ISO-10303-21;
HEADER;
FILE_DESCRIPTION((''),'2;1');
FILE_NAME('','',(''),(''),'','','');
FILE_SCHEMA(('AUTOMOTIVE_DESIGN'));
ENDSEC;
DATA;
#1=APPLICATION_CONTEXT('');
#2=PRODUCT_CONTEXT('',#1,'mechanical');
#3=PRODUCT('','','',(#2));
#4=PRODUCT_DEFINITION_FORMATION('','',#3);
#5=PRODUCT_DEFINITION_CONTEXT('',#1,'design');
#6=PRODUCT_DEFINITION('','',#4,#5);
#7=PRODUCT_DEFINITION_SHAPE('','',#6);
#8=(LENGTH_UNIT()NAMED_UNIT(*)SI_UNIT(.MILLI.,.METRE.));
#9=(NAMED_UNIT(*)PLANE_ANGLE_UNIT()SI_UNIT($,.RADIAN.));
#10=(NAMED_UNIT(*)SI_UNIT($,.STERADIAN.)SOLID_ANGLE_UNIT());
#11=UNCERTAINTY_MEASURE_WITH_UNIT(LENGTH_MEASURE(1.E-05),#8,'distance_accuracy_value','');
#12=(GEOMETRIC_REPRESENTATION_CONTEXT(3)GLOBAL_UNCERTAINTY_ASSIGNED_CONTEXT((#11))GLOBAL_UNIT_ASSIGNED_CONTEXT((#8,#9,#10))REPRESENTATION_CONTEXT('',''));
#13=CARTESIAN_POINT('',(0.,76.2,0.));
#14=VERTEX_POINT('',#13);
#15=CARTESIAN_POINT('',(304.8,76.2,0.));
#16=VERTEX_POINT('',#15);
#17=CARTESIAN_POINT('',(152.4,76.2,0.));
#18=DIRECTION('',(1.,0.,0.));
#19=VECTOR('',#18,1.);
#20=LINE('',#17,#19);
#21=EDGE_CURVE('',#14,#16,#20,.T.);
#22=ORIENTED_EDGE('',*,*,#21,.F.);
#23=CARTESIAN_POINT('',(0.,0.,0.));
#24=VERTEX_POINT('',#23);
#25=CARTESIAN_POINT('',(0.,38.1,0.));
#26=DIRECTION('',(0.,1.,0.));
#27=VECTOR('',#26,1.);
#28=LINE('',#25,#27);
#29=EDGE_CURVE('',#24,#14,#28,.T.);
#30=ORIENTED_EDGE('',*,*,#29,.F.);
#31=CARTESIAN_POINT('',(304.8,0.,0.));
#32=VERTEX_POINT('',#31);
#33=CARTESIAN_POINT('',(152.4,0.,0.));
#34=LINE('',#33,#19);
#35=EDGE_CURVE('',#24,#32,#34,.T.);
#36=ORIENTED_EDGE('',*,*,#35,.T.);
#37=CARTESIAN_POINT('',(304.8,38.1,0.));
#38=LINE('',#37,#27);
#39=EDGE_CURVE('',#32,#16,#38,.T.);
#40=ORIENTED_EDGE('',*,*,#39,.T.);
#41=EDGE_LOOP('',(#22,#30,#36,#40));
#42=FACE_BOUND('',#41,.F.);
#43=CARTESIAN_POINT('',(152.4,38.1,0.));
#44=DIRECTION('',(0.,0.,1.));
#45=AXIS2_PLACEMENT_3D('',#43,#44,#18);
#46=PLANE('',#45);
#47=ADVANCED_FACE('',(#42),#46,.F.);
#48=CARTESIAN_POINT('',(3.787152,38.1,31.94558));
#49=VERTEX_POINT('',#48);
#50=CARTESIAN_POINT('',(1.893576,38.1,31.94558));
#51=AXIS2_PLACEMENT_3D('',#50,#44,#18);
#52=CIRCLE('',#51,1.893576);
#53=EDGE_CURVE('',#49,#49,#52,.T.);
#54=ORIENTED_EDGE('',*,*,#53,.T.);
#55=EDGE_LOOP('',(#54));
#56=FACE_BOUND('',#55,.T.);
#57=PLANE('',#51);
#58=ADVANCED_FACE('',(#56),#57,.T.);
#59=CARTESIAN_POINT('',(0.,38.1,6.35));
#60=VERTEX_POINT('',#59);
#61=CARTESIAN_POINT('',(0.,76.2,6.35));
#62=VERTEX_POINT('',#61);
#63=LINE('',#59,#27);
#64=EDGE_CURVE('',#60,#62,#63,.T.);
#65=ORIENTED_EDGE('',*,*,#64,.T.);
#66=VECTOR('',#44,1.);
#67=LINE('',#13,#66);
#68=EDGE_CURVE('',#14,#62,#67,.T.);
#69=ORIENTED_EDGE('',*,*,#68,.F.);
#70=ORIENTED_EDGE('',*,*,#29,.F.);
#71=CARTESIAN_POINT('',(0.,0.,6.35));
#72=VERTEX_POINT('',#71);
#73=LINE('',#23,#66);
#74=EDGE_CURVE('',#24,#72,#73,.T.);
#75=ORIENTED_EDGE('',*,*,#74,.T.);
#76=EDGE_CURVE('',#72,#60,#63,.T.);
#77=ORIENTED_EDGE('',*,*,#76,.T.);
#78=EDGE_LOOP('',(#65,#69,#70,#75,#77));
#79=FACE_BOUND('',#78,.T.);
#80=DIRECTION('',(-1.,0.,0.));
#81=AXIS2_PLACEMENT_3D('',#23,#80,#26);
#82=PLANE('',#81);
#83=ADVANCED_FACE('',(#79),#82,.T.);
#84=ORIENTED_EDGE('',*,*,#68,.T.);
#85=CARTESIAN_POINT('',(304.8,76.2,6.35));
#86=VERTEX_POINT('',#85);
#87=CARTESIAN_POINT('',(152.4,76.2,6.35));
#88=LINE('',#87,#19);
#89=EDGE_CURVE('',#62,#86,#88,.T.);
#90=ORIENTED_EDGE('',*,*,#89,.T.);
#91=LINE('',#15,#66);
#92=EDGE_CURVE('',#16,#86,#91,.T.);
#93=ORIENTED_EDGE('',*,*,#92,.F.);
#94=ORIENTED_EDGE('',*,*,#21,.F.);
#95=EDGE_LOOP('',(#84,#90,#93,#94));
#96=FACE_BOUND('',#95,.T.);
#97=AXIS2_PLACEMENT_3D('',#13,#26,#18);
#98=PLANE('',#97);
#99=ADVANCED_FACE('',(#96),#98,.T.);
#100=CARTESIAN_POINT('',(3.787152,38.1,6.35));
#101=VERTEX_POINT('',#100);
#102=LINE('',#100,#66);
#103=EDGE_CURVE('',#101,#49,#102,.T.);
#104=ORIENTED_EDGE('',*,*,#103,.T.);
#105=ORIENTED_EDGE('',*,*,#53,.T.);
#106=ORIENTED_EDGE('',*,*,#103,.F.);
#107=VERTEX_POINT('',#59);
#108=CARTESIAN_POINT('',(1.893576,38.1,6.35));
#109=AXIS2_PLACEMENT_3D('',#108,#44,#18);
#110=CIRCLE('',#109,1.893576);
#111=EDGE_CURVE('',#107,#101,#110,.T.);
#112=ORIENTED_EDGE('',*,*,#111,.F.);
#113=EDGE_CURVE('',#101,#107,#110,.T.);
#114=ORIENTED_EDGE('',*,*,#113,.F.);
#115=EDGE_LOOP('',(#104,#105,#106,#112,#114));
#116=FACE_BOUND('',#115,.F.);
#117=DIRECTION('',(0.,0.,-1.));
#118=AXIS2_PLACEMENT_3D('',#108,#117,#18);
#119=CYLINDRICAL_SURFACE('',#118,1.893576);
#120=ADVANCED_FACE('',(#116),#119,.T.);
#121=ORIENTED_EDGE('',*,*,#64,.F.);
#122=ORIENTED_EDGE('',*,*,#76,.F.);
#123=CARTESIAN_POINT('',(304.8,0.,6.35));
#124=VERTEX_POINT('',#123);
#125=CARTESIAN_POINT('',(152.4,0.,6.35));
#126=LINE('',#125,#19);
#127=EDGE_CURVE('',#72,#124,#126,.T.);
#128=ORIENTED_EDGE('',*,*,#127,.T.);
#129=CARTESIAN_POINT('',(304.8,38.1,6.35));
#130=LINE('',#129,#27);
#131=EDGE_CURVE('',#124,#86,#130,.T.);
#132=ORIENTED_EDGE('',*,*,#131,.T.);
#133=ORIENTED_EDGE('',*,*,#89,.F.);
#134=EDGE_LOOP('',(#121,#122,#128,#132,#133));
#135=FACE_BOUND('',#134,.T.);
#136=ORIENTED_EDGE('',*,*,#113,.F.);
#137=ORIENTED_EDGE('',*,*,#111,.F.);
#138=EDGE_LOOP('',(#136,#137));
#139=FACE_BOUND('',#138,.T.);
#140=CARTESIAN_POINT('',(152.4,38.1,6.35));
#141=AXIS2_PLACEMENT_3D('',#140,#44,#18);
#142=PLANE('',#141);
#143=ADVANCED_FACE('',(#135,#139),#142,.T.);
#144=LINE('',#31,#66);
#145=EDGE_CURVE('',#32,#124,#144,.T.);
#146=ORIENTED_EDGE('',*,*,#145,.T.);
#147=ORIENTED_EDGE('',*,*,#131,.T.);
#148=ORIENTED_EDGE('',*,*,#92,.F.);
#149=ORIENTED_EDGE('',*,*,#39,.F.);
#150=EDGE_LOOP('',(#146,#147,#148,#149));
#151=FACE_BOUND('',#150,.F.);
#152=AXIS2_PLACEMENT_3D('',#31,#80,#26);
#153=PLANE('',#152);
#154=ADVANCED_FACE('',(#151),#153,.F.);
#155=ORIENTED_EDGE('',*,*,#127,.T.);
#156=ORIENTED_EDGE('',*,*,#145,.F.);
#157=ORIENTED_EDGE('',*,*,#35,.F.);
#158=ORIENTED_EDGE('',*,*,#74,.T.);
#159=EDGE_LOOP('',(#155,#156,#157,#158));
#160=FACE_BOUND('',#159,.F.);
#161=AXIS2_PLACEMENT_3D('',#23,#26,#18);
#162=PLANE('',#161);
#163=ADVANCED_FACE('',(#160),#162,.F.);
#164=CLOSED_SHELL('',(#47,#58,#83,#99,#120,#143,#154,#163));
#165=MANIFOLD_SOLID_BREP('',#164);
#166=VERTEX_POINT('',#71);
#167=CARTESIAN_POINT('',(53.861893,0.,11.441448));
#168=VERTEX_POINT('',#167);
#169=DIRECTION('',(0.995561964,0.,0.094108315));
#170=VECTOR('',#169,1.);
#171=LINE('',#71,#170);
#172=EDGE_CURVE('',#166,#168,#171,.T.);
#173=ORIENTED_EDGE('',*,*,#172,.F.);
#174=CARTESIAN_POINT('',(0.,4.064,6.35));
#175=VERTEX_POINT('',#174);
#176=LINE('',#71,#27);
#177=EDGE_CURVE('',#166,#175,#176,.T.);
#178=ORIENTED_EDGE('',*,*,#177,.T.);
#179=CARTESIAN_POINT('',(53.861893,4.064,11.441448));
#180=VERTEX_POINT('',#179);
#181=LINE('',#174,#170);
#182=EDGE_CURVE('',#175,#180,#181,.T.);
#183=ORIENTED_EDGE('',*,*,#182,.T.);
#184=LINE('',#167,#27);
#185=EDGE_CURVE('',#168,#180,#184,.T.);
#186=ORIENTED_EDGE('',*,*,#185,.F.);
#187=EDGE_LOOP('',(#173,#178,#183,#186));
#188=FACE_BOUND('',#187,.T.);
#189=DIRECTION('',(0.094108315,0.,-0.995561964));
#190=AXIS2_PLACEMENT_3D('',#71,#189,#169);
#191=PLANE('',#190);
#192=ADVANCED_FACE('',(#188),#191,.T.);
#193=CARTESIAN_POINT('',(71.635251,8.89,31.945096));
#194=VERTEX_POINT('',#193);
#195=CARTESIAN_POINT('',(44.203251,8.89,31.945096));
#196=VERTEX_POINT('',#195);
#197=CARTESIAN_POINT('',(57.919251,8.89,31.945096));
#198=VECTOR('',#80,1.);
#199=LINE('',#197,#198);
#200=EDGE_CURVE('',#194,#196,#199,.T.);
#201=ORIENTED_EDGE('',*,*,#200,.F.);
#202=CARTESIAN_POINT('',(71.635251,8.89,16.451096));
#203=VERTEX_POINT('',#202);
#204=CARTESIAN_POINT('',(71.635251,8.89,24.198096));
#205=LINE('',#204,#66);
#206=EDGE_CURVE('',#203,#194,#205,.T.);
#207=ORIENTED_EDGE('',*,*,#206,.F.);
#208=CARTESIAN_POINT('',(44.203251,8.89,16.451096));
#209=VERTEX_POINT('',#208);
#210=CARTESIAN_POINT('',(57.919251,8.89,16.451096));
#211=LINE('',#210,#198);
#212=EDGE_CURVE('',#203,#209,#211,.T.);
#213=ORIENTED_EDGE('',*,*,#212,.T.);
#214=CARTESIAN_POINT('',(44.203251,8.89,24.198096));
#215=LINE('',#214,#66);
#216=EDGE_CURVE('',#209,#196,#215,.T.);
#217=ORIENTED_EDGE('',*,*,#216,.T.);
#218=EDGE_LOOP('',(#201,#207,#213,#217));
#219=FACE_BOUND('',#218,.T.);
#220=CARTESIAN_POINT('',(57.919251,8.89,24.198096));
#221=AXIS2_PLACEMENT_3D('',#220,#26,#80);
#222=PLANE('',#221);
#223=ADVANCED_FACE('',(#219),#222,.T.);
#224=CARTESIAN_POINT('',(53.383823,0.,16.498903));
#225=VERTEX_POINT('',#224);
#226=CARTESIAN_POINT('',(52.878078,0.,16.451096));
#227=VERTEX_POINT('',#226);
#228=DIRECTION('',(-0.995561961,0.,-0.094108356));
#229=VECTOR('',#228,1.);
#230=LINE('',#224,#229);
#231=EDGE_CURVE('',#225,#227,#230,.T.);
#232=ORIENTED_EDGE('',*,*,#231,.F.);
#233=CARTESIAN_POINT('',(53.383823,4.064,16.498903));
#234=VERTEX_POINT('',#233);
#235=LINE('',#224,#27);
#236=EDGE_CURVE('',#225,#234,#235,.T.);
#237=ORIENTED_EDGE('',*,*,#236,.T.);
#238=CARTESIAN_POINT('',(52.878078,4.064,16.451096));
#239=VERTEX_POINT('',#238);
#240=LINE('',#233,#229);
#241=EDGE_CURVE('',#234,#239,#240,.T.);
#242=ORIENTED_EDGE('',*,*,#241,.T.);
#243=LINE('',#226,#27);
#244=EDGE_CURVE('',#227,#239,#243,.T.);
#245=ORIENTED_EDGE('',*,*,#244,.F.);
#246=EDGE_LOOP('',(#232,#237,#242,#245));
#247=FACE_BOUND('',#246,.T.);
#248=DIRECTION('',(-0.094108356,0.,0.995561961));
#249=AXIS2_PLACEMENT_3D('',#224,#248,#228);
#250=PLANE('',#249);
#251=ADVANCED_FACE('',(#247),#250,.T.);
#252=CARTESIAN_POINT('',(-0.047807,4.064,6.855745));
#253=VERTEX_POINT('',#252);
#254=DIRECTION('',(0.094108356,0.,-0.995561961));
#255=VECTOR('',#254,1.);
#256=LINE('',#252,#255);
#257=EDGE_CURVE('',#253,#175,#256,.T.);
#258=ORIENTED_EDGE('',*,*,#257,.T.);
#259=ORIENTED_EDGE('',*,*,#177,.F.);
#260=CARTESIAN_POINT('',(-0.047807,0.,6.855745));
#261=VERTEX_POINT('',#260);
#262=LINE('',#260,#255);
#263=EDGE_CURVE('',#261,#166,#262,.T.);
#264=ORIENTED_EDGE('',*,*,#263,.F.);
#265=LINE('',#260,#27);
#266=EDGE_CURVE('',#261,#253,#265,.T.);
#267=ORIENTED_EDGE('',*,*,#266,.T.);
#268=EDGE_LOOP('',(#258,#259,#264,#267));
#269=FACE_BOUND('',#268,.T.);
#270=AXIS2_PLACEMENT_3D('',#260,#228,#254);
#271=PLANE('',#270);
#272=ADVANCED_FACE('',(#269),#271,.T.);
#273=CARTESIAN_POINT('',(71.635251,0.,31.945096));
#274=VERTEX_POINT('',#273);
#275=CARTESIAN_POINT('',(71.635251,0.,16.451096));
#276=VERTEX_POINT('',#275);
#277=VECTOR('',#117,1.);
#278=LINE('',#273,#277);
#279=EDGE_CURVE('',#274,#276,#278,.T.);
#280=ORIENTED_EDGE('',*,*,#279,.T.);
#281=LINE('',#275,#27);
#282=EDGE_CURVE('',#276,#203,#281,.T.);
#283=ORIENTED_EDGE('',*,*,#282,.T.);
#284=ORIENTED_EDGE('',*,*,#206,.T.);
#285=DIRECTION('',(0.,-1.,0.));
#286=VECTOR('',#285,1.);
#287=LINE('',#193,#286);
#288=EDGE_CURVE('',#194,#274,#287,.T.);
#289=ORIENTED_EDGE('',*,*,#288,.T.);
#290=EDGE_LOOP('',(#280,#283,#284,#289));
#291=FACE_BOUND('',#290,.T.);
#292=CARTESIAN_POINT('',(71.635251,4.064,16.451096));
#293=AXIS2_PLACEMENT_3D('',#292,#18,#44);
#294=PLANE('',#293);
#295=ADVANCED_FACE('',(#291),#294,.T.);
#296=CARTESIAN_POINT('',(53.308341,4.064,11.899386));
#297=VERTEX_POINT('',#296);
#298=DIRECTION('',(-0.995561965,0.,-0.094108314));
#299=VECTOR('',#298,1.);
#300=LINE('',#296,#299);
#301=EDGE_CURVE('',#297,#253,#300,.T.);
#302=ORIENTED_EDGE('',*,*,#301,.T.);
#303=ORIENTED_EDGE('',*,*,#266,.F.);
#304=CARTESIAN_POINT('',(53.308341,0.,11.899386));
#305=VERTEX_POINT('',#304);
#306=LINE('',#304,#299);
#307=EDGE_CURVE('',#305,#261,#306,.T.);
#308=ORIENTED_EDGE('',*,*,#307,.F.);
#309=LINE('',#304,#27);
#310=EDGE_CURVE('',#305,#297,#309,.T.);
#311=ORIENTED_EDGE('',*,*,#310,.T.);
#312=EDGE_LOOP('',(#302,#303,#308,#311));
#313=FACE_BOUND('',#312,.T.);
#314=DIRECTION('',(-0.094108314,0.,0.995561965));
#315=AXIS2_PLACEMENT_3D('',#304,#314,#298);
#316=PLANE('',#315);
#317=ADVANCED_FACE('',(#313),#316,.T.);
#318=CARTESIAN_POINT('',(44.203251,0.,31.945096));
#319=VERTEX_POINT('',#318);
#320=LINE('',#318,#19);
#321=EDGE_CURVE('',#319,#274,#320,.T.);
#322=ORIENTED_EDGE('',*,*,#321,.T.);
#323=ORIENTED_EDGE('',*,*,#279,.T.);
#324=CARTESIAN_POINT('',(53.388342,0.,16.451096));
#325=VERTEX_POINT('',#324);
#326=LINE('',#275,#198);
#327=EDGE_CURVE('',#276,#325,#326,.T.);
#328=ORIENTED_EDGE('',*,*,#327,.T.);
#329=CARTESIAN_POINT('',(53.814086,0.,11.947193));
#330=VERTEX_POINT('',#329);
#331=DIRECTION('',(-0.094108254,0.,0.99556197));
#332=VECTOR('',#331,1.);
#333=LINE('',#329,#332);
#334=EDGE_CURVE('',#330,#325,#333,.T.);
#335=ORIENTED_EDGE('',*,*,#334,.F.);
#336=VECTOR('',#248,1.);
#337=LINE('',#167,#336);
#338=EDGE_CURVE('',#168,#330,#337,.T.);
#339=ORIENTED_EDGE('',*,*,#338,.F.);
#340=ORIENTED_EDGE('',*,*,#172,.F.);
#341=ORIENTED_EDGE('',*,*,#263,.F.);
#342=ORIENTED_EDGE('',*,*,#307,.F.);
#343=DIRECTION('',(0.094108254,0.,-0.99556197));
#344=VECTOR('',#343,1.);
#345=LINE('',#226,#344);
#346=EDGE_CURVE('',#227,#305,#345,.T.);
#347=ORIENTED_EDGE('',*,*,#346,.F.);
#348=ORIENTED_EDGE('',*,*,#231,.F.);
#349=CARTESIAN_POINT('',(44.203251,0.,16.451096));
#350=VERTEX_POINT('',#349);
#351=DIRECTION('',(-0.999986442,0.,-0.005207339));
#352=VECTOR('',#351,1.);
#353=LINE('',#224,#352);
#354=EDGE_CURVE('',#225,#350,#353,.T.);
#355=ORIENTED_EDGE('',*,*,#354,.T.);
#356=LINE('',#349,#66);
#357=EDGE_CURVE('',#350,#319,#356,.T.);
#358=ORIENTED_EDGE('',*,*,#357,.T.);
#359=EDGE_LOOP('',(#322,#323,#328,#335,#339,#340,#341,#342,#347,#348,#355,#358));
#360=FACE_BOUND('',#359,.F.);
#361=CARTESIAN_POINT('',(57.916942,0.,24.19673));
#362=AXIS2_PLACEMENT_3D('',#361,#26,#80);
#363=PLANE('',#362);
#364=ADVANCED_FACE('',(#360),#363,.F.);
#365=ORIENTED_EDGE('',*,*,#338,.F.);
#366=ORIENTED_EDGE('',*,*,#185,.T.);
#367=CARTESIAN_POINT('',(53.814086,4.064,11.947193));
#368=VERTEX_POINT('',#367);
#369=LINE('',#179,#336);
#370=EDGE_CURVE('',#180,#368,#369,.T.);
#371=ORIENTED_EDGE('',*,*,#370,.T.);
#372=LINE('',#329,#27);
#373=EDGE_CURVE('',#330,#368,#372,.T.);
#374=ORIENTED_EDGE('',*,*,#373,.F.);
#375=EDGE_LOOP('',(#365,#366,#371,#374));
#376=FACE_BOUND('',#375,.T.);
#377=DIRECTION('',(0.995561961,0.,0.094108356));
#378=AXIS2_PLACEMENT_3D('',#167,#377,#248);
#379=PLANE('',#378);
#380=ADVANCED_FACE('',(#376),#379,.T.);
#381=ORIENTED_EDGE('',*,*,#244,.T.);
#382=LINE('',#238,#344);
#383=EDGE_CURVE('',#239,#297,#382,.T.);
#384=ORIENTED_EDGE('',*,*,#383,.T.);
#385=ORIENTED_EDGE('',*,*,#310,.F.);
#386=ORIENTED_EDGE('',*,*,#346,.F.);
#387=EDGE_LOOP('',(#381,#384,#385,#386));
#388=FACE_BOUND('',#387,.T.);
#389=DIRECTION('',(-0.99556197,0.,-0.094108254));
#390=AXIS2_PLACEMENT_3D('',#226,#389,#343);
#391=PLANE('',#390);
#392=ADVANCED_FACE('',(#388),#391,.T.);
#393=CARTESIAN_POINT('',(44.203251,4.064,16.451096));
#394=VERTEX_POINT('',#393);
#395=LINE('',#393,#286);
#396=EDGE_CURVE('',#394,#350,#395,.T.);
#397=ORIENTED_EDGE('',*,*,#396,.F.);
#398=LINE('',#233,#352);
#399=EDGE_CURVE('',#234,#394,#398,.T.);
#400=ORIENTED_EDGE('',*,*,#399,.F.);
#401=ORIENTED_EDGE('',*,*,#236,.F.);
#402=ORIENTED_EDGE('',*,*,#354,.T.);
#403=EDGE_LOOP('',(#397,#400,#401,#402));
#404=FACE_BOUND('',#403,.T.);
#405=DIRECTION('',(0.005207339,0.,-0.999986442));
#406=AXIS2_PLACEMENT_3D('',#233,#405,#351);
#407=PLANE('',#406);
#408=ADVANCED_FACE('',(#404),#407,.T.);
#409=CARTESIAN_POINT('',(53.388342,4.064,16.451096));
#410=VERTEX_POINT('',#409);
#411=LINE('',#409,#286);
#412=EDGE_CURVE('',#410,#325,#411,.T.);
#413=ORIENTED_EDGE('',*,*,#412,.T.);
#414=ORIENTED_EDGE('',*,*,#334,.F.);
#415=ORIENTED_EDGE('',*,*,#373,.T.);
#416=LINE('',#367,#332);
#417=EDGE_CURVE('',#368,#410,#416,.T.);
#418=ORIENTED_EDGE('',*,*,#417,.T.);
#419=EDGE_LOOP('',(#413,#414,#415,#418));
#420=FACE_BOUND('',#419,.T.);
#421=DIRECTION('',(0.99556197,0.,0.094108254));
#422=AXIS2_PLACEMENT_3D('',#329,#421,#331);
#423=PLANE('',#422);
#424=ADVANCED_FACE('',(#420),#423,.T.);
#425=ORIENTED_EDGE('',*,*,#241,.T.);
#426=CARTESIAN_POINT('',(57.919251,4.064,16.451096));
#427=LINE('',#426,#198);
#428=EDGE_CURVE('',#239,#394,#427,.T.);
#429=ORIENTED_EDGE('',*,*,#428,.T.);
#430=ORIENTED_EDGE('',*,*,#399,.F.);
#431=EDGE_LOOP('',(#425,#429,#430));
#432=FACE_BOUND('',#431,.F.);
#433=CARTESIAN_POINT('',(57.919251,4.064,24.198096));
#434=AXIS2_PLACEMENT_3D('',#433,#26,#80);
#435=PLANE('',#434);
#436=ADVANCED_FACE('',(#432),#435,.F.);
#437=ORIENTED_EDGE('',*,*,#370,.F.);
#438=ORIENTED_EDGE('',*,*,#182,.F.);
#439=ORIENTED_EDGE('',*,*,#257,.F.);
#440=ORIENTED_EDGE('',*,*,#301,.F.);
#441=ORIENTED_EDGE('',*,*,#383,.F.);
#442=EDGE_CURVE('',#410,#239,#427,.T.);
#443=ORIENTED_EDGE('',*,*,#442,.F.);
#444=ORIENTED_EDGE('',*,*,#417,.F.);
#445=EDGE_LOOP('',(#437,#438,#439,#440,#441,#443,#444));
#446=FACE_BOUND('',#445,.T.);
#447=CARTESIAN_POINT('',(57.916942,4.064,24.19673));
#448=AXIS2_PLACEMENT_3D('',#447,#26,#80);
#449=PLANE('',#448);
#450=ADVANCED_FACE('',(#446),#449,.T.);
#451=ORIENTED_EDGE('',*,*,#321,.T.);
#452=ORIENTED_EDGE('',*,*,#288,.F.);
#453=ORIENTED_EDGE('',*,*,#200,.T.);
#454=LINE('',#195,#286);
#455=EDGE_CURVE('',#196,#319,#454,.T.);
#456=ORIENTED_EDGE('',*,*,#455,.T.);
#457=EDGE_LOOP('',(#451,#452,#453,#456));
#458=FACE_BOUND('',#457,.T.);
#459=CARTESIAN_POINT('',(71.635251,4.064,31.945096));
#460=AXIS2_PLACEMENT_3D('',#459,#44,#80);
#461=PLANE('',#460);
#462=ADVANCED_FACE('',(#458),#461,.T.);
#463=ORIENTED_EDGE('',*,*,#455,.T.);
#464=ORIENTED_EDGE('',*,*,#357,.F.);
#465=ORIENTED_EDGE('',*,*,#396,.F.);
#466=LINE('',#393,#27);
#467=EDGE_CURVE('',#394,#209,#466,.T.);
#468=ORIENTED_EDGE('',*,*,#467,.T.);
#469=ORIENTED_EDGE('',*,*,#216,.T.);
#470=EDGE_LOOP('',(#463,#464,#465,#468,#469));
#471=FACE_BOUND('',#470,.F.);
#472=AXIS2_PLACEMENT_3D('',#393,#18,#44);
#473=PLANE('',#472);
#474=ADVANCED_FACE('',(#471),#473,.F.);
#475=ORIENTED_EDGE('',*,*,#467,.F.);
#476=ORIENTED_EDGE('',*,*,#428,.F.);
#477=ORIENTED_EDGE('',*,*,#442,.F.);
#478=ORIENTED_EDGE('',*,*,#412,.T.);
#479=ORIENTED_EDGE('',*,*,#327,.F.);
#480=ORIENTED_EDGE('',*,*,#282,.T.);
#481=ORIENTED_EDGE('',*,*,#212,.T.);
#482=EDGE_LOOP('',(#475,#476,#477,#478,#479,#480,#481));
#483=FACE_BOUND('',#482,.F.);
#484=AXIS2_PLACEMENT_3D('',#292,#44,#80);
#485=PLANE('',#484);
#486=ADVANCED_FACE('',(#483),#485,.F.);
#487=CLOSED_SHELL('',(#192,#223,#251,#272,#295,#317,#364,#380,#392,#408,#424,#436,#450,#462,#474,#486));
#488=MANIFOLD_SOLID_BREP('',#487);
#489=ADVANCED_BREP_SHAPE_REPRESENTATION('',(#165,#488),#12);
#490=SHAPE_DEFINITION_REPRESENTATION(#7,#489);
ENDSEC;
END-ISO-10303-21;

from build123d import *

# Parameters (mm, degrees)
F0_W     = 304.8
F0_H     = 76.2
F1_DEPTH = 6.35
F3_DEPTH = 4.064
F5_DEPTH = 4.064
F6_W     = 27.432
F6_H     = 15.494
F7_DEPTH = 4.826
F9_DEPTH = 25.59558


with BuildPart() as f1:
    # F0 (on Top) → F1 (new body)
    with BuildSketch(Plane.XY):
        with Locations((152.4, 38.1)):
            Rectangle(F0_W, F0_H)
    extrude(amount=F1_DEPTH)

    # F8 (on face) → F9 (join)
    with BuildSketch(Plane.XY.offset(6.35)):
        with BuildLine():
            ThreePointArc((0, 38.1), (1.893576, 36.206424), (3.787152, 38.1))
            ThreePointArc((3.787152, 38.1), (1.893576, 39.993576), (0, 38.1))
        make_face()
    extrude(amount=F9_DEPTH)


with BuildPart() as f3:
    # F2 (on face) → F3 (new body)
    with BuildSketch(Plane.XZ):
        Polygon((-0.047807, 6.855745), (0, 6.35), (53.861893, 11.441448), (53.351629, 11.441448), (53.308341, 11.899386), align=None)
        Polygon((53.351629, 11.441448), (53.861893, 11.441448), (53.814086, 11.947193), (53.308341, 11.899386), align=None)
        Polygon((53.308341, 11.899386), (53.814086, 11.947193), (53.383823, 16.498903), (52.878078, 16.451096), align=None)
    extrude(amount=-F3_DEPTH)

    # F4 (on face) → F5 (join)
    with BuildSketch(Plane(origin=(0, 4.064, 0), x_dir=(-1, 0, 0), z_dir=(0, 1, 0))):
        Polygon((-71.635251, 16.451096), (-53.388342, 16.451096), (-53.383823, 16.498903), (-44.203251, 16.451096), (-44.203251, 31.945096), (-71.635251, 31.945096), align=None)
    extrude(amount=-F5_DEPTH)

    # F6 (on face) → F7 (join)
    with BuildSketch(Plane(origin=(0, 4.064, 0), x_dir=(-1, 0, 0), z_dir=(0, 1, 0))):
        with Locations((-57.919251, 24.198096)):
            Rectangle(F6_W, F6_H)
    extrude(amount=F7_DEPTH)


solid = Compound([f1.part, f3.part])
